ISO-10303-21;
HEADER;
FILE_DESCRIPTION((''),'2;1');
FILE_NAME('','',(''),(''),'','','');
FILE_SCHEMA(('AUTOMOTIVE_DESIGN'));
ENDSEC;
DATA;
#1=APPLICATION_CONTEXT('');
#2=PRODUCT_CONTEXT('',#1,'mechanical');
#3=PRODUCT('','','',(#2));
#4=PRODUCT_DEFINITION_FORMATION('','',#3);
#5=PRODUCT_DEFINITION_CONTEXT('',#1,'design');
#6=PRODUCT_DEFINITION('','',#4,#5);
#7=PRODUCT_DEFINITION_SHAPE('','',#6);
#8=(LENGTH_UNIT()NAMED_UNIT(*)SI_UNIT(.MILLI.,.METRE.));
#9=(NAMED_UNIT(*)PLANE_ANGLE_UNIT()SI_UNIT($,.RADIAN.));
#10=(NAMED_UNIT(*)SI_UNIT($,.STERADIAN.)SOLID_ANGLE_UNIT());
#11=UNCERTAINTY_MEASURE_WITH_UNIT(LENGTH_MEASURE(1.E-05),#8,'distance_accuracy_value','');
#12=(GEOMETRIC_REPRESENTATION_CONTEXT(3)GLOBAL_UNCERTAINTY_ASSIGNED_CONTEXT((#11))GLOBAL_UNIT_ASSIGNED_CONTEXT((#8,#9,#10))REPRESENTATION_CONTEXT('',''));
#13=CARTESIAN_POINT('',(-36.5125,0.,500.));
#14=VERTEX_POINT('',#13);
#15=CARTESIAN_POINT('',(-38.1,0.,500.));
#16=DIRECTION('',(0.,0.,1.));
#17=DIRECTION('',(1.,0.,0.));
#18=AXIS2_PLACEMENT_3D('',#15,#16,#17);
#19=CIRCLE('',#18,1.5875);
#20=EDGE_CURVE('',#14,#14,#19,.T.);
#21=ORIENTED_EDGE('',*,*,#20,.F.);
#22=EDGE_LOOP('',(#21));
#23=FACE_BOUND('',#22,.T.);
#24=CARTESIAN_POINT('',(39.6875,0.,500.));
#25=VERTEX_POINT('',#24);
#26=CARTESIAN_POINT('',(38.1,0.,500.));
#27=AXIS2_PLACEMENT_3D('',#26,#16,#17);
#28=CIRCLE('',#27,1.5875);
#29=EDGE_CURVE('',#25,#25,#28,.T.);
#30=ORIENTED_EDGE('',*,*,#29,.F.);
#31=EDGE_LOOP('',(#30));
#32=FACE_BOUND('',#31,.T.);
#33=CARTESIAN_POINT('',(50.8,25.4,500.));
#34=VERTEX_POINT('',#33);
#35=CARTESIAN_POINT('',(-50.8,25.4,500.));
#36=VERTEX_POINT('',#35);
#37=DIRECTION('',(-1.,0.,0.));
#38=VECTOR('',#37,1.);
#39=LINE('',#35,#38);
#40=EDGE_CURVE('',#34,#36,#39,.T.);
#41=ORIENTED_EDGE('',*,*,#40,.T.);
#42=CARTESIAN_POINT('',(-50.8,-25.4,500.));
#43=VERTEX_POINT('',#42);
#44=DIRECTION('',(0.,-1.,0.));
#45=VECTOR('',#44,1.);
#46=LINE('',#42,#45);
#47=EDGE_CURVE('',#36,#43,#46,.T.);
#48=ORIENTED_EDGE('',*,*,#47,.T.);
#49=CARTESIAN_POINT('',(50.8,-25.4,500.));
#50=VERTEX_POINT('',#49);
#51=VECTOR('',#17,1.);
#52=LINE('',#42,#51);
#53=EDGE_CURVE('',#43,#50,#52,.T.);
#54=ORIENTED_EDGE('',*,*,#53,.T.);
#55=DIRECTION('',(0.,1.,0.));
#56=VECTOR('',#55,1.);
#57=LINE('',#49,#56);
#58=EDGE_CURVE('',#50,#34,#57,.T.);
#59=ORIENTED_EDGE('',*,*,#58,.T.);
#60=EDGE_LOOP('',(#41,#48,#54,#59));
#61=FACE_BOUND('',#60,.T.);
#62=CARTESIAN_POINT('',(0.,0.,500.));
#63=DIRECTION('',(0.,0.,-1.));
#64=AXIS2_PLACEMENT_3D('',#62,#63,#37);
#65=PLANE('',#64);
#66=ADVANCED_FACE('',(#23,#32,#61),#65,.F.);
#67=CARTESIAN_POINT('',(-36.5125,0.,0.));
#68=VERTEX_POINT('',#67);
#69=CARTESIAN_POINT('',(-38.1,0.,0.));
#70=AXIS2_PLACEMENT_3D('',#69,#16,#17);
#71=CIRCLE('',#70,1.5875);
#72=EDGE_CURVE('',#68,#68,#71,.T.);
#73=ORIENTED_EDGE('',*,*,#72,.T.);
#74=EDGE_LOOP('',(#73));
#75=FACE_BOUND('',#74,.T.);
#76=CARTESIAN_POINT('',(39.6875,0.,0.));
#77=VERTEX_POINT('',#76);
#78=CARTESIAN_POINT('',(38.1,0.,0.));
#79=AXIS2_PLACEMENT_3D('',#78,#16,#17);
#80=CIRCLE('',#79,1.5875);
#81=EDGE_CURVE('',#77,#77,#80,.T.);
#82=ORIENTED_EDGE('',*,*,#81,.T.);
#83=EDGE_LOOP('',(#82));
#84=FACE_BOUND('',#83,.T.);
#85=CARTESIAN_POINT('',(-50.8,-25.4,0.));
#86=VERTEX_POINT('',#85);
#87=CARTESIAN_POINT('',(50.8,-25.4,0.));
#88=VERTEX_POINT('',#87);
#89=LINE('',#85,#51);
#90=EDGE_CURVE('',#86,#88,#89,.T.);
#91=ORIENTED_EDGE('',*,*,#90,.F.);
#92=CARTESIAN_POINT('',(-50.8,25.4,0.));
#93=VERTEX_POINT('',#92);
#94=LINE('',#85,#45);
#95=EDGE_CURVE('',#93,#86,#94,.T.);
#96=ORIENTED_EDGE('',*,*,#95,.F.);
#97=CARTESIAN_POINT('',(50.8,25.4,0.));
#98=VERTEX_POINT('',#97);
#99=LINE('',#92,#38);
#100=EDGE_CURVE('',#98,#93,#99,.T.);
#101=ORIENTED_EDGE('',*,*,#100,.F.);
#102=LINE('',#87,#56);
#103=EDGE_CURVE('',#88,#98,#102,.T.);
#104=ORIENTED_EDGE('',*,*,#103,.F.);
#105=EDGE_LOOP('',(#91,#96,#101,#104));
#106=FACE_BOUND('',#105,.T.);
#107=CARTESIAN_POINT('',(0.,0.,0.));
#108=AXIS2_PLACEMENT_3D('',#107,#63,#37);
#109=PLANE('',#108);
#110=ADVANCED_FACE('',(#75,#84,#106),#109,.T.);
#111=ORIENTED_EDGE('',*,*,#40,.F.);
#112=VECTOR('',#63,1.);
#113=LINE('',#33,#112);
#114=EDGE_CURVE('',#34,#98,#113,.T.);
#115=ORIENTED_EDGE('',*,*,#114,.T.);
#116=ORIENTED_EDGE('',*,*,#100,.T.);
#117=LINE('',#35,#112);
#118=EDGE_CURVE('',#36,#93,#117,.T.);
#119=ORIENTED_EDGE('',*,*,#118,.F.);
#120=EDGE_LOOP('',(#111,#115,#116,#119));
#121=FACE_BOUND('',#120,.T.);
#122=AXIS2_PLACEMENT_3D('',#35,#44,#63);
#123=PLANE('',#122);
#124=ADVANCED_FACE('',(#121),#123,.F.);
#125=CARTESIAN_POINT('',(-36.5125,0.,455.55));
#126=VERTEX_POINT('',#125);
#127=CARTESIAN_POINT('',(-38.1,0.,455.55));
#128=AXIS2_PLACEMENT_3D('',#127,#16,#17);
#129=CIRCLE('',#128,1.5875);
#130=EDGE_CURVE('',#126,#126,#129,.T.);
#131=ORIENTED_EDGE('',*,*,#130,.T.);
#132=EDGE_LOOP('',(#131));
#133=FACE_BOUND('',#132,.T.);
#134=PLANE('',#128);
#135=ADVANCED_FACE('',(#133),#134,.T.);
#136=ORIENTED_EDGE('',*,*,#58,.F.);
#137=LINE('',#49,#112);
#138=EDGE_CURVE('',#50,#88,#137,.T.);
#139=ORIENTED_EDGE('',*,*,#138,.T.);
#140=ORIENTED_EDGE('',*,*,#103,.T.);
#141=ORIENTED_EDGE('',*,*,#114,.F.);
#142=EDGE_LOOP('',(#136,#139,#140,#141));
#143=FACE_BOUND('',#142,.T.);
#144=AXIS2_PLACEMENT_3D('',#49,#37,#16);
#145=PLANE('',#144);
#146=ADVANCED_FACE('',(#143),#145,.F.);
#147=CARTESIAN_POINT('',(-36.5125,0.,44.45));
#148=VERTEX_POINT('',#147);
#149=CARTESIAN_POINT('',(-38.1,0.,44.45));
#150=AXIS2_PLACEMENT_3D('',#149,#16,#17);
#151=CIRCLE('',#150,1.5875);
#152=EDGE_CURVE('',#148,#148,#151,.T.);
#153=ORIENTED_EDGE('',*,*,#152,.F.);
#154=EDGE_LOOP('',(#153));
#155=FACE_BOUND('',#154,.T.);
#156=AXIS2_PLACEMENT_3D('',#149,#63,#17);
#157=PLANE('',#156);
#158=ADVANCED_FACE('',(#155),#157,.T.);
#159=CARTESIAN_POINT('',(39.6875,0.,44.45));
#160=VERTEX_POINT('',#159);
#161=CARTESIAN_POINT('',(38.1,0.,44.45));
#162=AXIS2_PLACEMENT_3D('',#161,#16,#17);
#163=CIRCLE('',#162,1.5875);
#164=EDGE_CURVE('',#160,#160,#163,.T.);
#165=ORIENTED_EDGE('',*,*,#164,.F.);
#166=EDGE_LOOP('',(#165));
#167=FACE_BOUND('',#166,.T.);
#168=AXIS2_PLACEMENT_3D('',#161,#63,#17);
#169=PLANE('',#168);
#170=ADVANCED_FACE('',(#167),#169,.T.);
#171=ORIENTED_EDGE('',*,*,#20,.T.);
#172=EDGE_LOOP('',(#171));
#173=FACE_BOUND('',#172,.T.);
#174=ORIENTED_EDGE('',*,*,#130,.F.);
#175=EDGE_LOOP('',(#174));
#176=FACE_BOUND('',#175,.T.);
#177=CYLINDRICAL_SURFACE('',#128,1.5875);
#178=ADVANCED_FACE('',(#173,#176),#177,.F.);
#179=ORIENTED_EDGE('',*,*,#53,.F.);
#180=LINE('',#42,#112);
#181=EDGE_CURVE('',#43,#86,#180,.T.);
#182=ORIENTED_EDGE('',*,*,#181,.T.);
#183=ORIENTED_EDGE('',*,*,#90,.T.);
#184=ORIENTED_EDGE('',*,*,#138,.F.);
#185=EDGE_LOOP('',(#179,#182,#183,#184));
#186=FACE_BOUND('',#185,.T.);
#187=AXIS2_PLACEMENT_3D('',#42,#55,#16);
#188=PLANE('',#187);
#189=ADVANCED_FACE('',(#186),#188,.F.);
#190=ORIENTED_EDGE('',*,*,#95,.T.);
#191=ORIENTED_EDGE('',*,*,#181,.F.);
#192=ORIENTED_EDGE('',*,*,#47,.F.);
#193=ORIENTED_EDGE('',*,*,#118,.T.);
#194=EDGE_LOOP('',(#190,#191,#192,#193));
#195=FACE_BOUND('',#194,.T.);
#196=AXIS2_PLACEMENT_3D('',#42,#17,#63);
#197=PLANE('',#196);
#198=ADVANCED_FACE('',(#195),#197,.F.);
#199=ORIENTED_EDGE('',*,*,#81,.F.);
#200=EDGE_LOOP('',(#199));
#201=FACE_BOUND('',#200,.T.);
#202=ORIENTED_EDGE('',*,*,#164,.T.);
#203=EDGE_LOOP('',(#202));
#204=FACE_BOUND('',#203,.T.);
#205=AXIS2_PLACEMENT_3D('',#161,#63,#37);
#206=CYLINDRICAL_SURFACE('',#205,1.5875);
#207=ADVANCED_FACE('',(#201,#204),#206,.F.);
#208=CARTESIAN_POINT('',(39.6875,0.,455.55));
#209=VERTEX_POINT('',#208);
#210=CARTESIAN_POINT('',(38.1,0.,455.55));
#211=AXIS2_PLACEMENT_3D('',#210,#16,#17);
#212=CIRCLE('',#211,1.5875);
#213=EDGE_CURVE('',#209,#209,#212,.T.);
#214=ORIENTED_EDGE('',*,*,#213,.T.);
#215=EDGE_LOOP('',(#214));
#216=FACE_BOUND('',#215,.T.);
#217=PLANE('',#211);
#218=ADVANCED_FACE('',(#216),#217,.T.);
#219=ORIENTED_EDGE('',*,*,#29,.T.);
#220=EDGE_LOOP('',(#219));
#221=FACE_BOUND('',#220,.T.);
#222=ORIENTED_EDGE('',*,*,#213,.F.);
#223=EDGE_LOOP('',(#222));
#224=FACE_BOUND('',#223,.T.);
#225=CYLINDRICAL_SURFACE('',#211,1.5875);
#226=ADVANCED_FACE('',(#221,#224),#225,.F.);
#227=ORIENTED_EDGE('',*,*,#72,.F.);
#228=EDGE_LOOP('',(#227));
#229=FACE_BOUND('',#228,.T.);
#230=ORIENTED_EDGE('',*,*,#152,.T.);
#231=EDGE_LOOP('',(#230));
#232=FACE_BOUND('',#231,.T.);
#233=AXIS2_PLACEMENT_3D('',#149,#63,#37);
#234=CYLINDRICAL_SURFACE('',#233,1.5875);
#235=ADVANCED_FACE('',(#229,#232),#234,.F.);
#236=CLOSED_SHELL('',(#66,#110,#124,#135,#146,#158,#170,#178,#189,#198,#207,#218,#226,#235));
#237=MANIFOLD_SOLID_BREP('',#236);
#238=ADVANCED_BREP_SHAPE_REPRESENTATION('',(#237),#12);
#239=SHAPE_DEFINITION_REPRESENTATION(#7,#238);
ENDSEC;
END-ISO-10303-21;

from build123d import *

# Parameters (mm, degrees)
SKETCH1_W           = 101.6
SKETCH1_H           = 50.8
BOSS_EXTRUDE1_DEPTH = 500
SKETCH2_R           = 1.5875
CUT_EXTRUDE1_DEPTH  = 44.45


with BuildPart() as part:
    # Sketch1 → Boss-Extrude1 (new body)
    with BuildSketch(Plane.XY):
        Rectangle(SKETCH1_W, SKETCH1_H)
    extrude(amount=BOSS_EXTRUDE1_DEPTH)

    # Sketch2 → Cut-Extrude1 (cut)
    with BuildSketch(Plane.XY.offset(500)):
        with Locations((-38.1, 0)):
            Circle(SKETCH2_R)
        with Locations((38.1, 0)):
            Circle(SKETCH2_R)
    cut_extrude1 = extrude(amount=-CUT_EXTRUDE1_DEPTH, mode=Mode.SUBTRACT)

    # Mirror1: Cut-Extrude1 across plane
    add(cut_extrude1.mirror(Plane(origin=(0, 0, 250), x_dir=(1, 0, 0), z_dir=(0, 0, -1))), mode=Mode.SUBTRACT)


solid = part.part
